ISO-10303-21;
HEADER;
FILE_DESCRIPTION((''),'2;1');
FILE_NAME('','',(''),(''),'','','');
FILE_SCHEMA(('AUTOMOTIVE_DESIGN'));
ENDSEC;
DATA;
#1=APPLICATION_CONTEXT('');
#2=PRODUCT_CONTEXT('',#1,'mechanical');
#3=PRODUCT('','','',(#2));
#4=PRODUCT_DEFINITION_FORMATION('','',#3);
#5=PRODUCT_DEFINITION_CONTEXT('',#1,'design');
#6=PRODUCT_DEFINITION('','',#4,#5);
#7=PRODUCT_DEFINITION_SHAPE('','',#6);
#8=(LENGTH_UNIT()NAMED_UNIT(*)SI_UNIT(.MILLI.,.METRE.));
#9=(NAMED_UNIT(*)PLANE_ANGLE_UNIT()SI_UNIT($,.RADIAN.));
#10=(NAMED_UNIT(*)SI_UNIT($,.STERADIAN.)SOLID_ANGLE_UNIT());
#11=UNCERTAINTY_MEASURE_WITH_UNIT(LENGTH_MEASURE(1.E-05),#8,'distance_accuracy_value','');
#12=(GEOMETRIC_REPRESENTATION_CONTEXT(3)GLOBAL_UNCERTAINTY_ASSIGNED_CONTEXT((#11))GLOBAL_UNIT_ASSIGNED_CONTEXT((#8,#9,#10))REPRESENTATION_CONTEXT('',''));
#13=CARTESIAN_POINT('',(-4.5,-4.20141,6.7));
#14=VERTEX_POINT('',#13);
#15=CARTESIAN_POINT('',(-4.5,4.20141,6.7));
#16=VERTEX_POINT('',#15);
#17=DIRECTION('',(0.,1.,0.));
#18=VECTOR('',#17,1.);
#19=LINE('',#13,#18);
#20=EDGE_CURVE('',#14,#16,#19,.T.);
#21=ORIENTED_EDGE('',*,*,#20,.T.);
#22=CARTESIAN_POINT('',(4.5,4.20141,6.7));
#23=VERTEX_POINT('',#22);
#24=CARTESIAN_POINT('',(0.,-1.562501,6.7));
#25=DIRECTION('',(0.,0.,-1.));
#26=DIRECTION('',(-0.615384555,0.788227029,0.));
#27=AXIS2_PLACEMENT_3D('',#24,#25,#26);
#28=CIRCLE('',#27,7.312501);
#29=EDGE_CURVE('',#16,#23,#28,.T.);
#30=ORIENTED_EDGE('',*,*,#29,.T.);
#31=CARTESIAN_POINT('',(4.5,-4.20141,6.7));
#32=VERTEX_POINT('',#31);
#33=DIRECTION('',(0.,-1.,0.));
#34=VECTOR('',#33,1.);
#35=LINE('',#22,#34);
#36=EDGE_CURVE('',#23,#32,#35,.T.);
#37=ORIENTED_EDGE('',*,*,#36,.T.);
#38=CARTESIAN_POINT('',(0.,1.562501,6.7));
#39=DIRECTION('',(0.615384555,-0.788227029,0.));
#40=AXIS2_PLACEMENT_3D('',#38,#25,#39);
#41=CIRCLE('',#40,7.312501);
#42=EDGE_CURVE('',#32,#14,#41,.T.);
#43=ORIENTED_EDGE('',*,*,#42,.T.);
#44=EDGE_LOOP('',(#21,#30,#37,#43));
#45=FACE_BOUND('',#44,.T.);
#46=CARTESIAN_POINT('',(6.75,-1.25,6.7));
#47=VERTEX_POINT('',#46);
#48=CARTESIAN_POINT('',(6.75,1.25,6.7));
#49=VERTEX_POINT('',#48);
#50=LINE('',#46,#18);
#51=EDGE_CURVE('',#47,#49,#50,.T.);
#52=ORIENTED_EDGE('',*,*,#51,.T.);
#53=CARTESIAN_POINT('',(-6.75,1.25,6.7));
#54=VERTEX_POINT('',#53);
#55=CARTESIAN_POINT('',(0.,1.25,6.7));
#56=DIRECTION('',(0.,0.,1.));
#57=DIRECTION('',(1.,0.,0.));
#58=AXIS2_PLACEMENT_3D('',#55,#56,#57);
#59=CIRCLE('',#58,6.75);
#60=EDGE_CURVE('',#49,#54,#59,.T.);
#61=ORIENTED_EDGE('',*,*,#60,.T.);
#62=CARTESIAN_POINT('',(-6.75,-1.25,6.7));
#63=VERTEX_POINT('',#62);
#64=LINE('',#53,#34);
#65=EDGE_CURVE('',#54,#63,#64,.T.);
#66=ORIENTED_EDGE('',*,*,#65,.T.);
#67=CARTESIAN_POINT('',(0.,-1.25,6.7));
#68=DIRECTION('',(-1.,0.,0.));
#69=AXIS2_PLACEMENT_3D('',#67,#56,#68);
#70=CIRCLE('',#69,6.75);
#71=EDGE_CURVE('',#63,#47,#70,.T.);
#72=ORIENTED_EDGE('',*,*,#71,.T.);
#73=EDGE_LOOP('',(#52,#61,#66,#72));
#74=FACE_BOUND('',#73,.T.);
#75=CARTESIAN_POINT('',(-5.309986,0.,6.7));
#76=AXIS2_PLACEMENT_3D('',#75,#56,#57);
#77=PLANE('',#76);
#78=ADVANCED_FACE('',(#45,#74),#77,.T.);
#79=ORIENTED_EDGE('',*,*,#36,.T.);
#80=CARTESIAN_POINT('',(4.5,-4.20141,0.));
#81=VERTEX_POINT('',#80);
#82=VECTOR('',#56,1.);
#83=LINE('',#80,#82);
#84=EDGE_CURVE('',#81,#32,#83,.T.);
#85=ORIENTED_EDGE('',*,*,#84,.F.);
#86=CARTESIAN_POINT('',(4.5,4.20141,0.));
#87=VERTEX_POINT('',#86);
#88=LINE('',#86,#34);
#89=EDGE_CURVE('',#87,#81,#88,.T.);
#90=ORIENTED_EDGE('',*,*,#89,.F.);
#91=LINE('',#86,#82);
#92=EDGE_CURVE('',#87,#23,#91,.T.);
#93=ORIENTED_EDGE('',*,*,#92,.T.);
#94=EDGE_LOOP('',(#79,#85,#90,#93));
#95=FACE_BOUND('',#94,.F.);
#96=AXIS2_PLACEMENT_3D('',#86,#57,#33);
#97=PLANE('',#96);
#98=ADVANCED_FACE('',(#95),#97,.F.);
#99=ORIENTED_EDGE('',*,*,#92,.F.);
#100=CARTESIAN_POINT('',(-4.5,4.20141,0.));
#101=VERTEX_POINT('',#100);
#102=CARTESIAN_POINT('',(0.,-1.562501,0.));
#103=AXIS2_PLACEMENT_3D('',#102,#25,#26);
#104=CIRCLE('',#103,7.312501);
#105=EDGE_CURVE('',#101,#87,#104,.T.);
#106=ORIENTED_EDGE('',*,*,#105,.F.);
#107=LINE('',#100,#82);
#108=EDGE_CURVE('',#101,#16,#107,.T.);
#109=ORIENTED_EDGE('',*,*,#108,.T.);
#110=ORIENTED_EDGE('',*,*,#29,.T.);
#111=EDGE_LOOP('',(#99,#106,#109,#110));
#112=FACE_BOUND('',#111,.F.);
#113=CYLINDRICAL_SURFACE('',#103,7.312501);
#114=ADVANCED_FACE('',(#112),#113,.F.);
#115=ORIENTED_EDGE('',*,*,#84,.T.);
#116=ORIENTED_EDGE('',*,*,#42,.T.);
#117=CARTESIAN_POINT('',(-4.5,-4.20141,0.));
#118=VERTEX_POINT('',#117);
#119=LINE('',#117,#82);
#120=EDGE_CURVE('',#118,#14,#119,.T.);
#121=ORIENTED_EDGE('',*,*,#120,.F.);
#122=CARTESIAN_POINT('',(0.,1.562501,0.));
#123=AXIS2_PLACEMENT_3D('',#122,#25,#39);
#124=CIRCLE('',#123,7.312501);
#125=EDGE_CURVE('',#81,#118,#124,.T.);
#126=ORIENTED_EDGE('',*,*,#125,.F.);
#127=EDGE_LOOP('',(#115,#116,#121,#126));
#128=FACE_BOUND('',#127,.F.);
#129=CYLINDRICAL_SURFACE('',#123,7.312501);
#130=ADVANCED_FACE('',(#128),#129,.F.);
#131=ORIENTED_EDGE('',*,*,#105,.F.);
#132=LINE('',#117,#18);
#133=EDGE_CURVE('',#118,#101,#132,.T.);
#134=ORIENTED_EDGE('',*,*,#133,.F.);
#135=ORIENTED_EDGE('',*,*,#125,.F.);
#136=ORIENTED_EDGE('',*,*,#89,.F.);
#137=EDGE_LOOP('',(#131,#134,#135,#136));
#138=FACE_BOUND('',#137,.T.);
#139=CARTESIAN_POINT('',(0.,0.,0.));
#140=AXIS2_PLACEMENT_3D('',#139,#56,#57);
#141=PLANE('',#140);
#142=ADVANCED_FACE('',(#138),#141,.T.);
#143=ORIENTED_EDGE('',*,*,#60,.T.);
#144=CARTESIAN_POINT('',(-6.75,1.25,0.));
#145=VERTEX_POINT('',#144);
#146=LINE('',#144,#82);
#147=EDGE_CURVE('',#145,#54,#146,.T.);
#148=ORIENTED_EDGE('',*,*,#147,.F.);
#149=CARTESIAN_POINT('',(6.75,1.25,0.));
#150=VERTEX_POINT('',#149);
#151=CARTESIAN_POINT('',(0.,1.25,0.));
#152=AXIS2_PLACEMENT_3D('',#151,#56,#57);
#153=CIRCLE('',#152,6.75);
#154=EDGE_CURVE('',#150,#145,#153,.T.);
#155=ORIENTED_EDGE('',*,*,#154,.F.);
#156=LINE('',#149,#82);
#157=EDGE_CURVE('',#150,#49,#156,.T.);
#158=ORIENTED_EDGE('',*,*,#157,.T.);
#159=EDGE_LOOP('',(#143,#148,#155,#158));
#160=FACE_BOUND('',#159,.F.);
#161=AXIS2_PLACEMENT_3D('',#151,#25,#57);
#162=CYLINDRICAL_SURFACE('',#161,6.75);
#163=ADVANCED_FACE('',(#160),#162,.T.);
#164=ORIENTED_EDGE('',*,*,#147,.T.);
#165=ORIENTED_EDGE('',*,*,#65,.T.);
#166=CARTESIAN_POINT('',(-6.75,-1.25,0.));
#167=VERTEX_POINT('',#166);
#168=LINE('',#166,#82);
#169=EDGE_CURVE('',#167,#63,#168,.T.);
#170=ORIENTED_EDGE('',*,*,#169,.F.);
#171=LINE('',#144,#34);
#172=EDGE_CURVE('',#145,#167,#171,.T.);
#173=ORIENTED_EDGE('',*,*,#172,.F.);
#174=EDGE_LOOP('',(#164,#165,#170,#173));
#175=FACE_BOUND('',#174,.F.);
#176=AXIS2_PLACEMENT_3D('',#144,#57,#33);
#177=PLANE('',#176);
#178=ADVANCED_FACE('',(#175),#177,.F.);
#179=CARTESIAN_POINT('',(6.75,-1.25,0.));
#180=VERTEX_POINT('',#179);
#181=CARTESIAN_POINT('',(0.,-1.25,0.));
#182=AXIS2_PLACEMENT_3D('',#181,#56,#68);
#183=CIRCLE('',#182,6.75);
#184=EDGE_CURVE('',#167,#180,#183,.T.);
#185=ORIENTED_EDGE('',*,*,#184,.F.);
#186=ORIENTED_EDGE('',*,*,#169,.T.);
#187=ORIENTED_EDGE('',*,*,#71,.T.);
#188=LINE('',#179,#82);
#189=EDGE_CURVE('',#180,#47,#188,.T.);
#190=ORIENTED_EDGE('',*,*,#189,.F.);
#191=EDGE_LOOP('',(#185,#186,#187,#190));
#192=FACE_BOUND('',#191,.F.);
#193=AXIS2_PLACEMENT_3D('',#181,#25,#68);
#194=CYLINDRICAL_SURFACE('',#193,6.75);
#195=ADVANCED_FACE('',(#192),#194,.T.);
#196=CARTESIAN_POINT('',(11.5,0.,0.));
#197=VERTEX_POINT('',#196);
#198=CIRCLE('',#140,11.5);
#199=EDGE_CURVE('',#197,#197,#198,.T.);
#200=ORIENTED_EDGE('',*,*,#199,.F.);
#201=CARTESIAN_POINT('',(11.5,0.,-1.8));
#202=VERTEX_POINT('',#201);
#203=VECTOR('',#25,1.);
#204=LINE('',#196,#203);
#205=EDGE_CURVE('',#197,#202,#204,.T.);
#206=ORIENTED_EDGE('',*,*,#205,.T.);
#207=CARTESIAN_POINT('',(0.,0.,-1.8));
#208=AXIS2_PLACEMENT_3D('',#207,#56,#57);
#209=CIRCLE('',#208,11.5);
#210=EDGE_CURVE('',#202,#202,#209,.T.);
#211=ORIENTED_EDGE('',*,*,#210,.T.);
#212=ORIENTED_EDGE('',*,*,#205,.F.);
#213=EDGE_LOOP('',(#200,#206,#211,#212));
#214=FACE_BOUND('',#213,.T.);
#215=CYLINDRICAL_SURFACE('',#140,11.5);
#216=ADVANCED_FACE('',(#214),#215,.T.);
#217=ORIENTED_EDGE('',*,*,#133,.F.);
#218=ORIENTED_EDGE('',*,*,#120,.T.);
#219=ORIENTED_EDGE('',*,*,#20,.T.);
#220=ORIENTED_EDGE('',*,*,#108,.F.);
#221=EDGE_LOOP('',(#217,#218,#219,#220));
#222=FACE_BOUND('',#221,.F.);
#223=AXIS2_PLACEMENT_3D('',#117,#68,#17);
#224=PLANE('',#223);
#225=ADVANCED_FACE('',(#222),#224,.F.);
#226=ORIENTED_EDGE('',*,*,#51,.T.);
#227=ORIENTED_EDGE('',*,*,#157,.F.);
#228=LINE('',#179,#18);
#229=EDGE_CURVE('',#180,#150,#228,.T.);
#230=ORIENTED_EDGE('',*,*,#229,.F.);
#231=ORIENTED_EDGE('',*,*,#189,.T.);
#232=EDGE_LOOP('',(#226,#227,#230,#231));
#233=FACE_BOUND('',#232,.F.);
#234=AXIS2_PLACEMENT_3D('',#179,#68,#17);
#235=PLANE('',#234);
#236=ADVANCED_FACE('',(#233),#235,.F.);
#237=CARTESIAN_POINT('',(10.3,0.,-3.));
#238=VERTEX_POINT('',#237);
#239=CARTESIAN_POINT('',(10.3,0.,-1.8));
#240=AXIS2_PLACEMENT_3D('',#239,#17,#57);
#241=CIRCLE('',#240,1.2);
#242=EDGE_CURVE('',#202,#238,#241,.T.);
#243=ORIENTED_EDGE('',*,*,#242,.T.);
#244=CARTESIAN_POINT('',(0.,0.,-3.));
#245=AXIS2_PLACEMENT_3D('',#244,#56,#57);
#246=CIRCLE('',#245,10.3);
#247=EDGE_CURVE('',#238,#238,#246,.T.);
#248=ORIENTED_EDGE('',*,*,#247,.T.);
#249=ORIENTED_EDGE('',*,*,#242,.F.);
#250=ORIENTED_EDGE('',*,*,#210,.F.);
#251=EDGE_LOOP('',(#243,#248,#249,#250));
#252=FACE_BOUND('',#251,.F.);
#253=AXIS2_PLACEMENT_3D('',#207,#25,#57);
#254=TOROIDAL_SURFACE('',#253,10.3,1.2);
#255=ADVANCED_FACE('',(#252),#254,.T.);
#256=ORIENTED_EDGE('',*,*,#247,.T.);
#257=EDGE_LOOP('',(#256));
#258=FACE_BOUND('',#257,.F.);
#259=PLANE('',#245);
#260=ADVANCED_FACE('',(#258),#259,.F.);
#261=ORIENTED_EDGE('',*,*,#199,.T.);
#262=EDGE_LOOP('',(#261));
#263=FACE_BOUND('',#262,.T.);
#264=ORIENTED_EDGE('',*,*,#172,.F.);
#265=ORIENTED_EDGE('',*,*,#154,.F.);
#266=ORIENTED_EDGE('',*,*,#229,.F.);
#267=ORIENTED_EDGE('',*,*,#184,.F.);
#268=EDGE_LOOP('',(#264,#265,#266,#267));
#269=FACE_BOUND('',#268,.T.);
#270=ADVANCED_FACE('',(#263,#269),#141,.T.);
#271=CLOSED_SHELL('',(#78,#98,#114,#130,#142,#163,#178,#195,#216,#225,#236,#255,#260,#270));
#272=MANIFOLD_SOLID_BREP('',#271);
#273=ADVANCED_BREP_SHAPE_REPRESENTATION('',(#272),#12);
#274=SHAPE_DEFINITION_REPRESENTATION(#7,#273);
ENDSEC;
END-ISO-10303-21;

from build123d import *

# Parameters (mm, degrees)
F0_R     = 11.5
F1_DEPTH = 3
F2_R     = 1.2
F3_DEPTH = 6.7


with BuildPart() as f1:
    # F0 (on Top) → F1 (new body)
    with BuildSketch(Plane.XY):
        Circle(F0_R)
        with BuildLine():
            ThreePointArc((-6.75, 1.25), (0, 8), (6.75, 1.25))
            Line((6.75, 1.25), (6.75, -1.25))
            ThreePointArc((6.75, -1.25), (0, -8), (-6.75, -1.25))
            Line((-6.75, -1.25), (-6.75, 1.25))
        make_face(mode=Mode.SUBTRACT)
        with BuildLine():
            ThreePointArc((4.5, 4.20141), (5.815353, 2.87082), (6.75, 1.25))
            ThreePointArc((6.75, 1.25), (0, 8), (-6.75, 1.25))
            ThreePointArc((-6.75, 1.25), (-5.815353, 2.87082), (-4.5, 4.20141))
            ThreePointArc((-4.5, 4.20141), (0, 5.75), (4.5, 4.20141))
        make_face()
        with BuildLine():
            ThreePointArc((-4.5, 4.20141), (-5.815353, 2.87082), (-6.75, 1.25))
            Line((-6.75, 1.25), (-6.75, -1.25))
            ThreePointArc((-6.75, -1.25), (-5.815353, -2.87082), (-4.5, -4.20141))
            Line((-4.5, -4.20141), (-4.5, 4.20141))
        make_face()
        with BuildLine():
            Line((4.5, -4.20141), (4.5, 4.20141))
            ThreePointArc((4.5, 4.20141), (0, 5.75), (-4.5, 4.20141))
            Line((-4.5, 4.20141), (-4.5, -4.20141))
            ThreePointArc((-4.5, -4.20141), (0, -5.75), (4.5, -4.20141))
        make_face()
        with BuildLine():
            ThreePointArc((-6.75, -1.25), (0, -8), (6.75, -1.25))
            ThreePointArc((6.75, -1.25), (5.815353, -2.87082), (4.5, -4.20141))
            ThreePointArc((4.5, -4.20141), (0, -5.75), (-4.5, -4.20141))
            ThreePointArc((-4.5, -4.20141), (-5.815353, -2.87082), (-6.75, -1.25))
        make_face()
        with BuildLine():
            Line((6.75, -1.25), (6.75, 1.25))
            ThreePointArc((6.75, 1.25), (5.815353, 2.87082), (4.5, 4.20141))
            Line((4.5, 4.20141), (4.5, -4.20141))
            ThreePointArc((4.5, -4.20141), (5.815353, -2.87082), (6.75, -1.25))
        make_face()
    extrude(amount=-F1_DEPTH)

    # F2
    f2_edges = [f1.edges().sort_by_distance(p)[0] for p in [
        (-11.5, 0, -3),
    ]]
    fillet(f2_edges, radius=F2_R)

    # F0 (on Top) → F3 (join)
    with BuildSketch(Plane.XY):
        with BuildLine():
            ThreePointArc((-4.5, 4.20141), (-5.815353, 2.87082), (-6.75, 1.25))
            Line((-6.75, 1.25), (-6.75, -1.25))
            ThreePointArc((-6.75, -1.25), (-5.815353, -2.87082), (-4.5, -4.20141))
            Line((-4.5, -4.20141), (-4.5, 4.20141))
        make_face()
        with BuildLine():
            ThreePointArc((4.5, 4.20141), (5.815353, 2.87082), (6.75, 1.25))
            ThreePointArc((6.75, 1.25), (0, 8), (-6.75, 1.25))
            ThreePointArc((-6.75, 1.25), (-5.815353, 2.87082), (-4.5, 4.20141))
            ThreePointArc((-4.5, 4.20141), (0, 5.75), (4.5, 4.20141))
        make_face()
        with BuildLine():
            Line((6.75, -1.25), (6.75, 1.25))
            ThreePointArc((6.75, 1.25), (5.815353, 2.87082), (4.5, 4.20141))
            Line((4.5, 4.20141), (4.5, -4.20141))
            ThreePointArc((4.5, -4.20141), (5.815353, -2.87082), (6.75, -1.25))
        make_face()
        with BuildLine():
            ThreePointArc((-6.75, -1.25), (0, -8), (6.75, -1.25))
            ThreePointArc((6.75, -1.25), (5.815353, -2.87082), (4.5, -4.20141))
            ThreePointArc((4.5, -4.20141), (0, -5.75), (-4.5, -4.20141))
            ThreePointArc((-4.5, -4.20141), (-5.815353, -2.87082), (-6.75, -1.25))
        make_face()
    extrude(amount=F3_DEPTH)


solid = f1.part
